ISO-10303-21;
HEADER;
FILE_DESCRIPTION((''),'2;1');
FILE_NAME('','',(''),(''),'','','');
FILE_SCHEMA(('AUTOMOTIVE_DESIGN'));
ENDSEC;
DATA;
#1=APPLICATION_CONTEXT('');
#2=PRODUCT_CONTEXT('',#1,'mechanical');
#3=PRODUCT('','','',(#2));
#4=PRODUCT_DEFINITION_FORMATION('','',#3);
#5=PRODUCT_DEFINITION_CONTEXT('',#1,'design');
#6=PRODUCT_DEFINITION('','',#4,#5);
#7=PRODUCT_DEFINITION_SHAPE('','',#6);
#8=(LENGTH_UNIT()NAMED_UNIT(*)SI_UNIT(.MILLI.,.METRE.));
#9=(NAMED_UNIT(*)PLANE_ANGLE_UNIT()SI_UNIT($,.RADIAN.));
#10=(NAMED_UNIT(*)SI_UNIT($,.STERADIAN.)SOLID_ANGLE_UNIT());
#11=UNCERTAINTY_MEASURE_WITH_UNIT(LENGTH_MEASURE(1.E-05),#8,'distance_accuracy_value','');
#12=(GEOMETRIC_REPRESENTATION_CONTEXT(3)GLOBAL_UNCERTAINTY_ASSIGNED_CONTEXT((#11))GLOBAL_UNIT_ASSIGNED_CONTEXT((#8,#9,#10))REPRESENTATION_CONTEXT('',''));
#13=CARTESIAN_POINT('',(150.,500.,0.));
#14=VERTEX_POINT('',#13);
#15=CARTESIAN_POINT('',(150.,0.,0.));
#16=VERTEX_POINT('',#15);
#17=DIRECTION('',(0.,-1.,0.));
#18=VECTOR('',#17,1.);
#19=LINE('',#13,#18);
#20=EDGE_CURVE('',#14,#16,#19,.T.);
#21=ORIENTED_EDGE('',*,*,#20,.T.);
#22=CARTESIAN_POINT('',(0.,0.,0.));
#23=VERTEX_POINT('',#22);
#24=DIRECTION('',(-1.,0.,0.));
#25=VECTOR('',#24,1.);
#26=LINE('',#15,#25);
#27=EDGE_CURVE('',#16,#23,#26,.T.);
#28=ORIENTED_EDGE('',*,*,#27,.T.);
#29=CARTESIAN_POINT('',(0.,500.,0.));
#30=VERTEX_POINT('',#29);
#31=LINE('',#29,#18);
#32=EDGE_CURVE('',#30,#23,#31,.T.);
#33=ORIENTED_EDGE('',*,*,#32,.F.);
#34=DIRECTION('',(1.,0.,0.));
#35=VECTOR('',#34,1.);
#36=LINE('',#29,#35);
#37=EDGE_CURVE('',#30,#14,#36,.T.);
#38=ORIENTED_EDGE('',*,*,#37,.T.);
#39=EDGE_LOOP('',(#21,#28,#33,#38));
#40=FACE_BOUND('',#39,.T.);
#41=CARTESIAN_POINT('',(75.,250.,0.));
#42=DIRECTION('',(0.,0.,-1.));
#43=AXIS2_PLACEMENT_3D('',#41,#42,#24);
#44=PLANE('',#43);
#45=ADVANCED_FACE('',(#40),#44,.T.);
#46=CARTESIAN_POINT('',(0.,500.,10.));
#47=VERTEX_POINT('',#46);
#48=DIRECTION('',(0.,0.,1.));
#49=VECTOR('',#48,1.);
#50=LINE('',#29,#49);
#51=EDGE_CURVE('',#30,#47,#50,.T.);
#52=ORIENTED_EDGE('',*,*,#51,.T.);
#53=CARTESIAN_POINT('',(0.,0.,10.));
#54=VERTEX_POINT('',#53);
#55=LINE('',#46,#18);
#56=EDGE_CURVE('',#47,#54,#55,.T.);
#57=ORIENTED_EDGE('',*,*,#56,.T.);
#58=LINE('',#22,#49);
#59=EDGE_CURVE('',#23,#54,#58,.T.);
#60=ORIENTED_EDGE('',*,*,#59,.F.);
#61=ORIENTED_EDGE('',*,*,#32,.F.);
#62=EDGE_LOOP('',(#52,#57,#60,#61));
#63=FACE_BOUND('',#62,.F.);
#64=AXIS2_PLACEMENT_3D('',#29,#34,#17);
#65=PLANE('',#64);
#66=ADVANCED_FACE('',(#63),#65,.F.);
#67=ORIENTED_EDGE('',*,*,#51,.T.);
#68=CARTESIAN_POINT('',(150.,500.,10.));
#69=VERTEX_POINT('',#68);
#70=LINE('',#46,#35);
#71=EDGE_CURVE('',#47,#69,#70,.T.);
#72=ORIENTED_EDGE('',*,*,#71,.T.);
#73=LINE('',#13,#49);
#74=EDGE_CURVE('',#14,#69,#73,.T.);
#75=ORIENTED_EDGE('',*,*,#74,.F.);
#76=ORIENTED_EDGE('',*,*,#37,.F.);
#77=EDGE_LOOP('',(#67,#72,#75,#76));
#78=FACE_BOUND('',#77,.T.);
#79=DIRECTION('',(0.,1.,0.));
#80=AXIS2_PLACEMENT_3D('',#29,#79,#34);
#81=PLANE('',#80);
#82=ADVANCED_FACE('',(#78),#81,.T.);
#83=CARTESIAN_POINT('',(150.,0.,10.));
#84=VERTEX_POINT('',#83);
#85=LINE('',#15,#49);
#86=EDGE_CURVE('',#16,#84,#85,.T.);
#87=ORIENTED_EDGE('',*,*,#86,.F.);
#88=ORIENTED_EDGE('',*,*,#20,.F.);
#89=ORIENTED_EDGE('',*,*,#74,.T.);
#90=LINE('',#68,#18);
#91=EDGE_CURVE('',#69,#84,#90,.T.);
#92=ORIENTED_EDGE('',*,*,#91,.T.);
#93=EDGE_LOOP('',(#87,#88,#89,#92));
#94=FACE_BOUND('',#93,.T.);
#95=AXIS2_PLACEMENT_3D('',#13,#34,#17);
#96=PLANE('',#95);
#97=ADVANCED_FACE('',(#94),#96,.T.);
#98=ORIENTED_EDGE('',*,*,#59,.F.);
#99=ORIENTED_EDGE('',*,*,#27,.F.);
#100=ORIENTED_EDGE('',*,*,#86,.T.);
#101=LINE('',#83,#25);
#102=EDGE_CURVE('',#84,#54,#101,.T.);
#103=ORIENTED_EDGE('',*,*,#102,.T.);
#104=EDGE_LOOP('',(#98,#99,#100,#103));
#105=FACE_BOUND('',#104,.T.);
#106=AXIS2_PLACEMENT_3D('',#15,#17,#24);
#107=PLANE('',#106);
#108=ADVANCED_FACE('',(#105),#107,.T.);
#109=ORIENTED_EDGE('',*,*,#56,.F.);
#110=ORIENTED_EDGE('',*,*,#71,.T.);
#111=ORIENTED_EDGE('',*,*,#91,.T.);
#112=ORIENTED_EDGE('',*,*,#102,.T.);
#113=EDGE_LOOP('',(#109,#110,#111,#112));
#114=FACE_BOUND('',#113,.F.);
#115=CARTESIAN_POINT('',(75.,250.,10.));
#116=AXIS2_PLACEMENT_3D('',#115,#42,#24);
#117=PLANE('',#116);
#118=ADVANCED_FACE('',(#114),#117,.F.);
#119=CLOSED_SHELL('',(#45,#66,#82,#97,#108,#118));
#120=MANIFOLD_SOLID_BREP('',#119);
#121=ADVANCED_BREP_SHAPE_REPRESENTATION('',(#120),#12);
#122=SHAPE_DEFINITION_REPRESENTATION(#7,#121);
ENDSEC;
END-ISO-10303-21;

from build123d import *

# Parameters (mm, degrees)
PAD_DEPTH = 10


with BuildPart() as part:
    # Sketch → Pad (new body)
    with BuildSketch(Plane.XY):
        Polygon((0, 500), (150, 500), (150, 0), (0, 0), (0, 250), align=None)
    extrude(amount=PAD_DEPTH)


solid = part.part
